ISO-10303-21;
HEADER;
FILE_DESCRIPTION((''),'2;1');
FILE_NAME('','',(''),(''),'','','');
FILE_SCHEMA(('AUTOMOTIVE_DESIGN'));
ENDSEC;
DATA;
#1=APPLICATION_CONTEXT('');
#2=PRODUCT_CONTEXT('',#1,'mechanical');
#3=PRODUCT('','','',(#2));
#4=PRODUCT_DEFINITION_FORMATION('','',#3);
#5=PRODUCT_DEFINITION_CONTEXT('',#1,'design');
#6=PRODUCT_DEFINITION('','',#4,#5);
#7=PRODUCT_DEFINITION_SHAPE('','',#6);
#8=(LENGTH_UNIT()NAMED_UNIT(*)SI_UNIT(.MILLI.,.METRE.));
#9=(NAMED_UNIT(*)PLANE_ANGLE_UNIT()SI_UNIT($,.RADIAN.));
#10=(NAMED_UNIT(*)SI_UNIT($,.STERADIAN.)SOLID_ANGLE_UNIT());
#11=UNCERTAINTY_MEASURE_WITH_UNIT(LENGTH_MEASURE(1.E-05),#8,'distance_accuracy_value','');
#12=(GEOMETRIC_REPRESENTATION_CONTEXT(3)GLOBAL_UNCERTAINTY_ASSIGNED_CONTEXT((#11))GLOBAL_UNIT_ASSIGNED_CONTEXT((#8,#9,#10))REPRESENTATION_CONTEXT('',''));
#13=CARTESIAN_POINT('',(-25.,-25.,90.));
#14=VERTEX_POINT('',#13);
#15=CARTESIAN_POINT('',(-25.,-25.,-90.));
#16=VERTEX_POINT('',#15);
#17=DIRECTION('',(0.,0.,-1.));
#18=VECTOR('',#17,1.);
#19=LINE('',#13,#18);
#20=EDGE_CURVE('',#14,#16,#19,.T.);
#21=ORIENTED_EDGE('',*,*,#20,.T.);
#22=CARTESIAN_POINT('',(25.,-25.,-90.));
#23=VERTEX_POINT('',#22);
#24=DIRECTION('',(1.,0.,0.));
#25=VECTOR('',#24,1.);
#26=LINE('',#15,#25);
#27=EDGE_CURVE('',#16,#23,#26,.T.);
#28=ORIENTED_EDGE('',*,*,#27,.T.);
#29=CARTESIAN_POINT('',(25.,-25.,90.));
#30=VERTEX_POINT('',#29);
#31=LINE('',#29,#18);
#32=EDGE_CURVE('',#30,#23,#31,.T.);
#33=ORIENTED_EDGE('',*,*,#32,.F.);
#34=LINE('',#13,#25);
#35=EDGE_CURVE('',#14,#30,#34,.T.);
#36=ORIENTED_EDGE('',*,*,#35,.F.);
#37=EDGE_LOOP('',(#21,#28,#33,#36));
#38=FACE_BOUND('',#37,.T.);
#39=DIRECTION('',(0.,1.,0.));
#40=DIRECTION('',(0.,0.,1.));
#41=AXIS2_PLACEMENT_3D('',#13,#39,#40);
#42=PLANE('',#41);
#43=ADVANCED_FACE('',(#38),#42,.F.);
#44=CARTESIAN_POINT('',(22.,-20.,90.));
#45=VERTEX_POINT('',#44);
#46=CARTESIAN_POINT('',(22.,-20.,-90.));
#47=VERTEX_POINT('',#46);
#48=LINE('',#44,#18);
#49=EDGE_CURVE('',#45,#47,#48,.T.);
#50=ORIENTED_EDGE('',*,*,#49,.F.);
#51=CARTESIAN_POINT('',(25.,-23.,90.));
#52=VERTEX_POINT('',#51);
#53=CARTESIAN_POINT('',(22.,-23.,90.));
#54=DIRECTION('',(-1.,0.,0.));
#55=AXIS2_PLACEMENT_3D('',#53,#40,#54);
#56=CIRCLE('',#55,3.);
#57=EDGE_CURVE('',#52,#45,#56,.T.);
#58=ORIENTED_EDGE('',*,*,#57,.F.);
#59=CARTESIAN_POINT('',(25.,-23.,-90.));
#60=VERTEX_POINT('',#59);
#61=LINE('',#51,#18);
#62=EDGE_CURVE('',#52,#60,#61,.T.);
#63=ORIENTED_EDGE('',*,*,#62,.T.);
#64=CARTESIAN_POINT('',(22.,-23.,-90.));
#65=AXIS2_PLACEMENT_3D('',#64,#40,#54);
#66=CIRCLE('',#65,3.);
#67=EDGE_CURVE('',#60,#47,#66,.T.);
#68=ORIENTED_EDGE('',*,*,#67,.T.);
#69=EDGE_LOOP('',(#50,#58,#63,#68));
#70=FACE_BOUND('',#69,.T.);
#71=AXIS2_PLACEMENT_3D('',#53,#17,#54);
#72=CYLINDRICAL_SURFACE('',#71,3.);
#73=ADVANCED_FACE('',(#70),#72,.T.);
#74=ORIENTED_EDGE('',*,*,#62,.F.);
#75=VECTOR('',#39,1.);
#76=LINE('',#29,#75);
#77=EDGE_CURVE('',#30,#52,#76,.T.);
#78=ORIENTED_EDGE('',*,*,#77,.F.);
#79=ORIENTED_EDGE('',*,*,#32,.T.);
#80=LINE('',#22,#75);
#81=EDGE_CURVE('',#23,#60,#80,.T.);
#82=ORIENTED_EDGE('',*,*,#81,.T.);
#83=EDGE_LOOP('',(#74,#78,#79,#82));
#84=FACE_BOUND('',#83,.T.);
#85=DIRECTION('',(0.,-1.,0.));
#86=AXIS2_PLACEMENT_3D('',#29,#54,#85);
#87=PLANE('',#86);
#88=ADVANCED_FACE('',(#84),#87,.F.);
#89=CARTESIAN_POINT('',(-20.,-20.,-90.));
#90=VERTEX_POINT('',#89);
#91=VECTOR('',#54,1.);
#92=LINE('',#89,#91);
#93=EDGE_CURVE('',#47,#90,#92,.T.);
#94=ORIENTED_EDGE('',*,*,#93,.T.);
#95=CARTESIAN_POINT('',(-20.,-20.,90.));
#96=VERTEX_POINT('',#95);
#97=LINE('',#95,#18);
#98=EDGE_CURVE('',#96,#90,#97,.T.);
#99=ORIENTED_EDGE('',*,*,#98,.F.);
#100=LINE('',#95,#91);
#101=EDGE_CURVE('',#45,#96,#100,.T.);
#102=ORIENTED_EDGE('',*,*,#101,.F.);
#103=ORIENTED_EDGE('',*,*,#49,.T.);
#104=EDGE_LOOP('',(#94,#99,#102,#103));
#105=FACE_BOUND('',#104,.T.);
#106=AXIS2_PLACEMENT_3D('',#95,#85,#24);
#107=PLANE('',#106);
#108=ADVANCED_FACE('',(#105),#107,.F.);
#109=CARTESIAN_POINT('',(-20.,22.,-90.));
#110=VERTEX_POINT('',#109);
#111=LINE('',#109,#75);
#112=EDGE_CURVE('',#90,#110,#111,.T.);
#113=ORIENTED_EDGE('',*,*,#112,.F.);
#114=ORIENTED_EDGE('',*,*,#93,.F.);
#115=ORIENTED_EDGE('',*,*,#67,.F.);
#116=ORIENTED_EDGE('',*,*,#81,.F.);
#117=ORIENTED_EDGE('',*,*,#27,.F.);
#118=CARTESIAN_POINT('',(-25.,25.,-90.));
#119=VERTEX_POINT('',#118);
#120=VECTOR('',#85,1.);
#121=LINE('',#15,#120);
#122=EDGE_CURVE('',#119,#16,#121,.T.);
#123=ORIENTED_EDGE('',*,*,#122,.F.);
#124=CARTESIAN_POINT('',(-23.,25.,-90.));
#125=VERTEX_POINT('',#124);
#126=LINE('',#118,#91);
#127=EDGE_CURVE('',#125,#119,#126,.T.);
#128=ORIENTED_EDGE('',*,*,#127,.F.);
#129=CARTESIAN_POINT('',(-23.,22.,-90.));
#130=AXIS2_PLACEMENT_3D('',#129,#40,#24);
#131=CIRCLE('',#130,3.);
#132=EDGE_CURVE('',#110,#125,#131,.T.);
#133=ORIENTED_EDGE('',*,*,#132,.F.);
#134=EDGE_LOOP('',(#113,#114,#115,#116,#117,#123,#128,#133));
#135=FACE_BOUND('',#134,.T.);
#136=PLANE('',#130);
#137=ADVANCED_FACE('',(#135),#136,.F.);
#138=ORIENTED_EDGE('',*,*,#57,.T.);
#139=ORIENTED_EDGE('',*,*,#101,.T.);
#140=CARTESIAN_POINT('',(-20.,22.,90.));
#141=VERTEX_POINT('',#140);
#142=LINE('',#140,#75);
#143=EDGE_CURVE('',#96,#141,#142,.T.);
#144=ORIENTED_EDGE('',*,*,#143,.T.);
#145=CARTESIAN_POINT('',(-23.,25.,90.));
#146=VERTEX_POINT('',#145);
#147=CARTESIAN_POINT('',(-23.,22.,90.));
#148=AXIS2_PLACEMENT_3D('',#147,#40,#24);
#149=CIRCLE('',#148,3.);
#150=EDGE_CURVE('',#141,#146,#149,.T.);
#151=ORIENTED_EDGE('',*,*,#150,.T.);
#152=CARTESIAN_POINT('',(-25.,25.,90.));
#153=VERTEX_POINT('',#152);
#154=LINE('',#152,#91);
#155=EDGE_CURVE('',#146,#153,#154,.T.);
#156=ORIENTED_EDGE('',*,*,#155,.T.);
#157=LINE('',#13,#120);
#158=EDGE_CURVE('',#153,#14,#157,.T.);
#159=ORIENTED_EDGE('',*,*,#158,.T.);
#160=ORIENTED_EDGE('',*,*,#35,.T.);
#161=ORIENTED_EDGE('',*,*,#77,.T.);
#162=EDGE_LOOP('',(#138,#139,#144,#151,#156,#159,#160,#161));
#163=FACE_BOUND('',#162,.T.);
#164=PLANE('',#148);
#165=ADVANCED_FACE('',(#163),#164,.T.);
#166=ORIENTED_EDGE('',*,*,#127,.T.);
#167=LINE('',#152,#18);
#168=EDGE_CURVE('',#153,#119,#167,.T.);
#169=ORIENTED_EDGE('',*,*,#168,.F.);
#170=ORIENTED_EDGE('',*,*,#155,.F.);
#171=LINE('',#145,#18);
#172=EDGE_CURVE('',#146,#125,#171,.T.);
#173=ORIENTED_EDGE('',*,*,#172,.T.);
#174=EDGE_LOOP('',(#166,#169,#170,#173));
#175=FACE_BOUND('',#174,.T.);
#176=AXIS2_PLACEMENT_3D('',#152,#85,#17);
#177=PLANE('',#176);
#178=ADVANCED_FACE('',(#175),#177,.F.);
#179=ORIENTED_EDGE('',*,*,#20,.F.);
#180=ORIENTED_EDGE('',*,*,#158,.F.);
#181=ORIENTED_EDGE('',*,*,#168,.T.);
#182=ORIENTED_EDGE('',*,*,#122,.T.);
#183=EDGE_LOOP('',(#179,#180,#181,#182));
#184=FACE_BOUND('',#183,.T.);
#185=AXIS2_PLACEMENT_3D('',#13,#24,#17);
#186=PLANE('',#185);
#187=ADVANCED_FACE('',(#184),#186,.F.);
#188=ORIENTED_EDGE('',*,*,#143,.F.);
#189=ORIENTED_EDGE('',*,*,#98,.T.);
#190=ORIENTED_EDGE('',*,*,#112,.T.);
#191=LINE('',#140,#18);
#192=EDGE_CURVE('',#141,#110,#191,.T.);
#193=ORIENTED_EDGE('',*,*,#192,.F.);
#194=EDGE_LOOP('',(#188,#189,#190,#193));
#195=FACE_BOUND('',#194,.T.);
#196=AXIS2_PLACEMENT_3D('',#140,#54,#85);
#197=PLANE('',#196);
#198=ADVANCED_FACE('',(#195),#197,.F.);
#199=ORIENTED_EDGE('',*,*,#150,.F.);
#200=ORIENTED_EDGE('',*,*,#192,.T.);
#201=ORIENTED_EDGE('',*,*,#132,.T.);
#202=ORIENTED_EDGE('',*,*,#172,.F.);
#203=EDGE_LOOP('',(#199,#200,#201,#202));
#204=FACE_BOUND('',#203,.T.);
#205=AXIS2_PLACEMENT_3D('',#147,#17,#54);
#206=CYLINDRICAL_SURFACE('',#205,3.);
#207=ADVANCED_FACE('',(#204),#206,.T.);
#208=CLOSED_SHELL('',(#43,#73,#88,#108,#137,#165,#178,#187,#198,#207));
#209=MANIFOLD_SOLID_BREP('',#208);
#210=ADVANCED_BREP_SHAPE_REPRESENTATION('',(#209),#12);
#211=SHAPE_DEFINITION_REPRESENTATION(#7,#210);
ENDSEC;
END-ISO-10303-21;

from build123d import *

# Parameters (mm, degrees)
BOSS_EXTRUDE1_DEPTH = 90


with BuildPart() as part:
    # Sketch1 → Boss-Extrude1 (new, symmetric)
    with BuildSketch(Plane.XY):
        with BuildLine():
            Line((-20, 22), (-20, -20))
            Line((-20, -20), (22, -20))
            ThreePointArc((22, -20), (24.121320344, -20.878679656), (25, -23))
            Line((25, -23), (25, -25))
            Line((25, -25), (-25, -25))
            Line((-25, -25), (-25, 25))
            Line((-25, 25), (-23, 25))
            ThreePointArc((-23, 25), (-20.878679656, 24.121320344), (-20, 22))
        make_face()
    extrude(amount=BOSS_EXTRUDE1_DEPTH, both=True)


solid = part.part
